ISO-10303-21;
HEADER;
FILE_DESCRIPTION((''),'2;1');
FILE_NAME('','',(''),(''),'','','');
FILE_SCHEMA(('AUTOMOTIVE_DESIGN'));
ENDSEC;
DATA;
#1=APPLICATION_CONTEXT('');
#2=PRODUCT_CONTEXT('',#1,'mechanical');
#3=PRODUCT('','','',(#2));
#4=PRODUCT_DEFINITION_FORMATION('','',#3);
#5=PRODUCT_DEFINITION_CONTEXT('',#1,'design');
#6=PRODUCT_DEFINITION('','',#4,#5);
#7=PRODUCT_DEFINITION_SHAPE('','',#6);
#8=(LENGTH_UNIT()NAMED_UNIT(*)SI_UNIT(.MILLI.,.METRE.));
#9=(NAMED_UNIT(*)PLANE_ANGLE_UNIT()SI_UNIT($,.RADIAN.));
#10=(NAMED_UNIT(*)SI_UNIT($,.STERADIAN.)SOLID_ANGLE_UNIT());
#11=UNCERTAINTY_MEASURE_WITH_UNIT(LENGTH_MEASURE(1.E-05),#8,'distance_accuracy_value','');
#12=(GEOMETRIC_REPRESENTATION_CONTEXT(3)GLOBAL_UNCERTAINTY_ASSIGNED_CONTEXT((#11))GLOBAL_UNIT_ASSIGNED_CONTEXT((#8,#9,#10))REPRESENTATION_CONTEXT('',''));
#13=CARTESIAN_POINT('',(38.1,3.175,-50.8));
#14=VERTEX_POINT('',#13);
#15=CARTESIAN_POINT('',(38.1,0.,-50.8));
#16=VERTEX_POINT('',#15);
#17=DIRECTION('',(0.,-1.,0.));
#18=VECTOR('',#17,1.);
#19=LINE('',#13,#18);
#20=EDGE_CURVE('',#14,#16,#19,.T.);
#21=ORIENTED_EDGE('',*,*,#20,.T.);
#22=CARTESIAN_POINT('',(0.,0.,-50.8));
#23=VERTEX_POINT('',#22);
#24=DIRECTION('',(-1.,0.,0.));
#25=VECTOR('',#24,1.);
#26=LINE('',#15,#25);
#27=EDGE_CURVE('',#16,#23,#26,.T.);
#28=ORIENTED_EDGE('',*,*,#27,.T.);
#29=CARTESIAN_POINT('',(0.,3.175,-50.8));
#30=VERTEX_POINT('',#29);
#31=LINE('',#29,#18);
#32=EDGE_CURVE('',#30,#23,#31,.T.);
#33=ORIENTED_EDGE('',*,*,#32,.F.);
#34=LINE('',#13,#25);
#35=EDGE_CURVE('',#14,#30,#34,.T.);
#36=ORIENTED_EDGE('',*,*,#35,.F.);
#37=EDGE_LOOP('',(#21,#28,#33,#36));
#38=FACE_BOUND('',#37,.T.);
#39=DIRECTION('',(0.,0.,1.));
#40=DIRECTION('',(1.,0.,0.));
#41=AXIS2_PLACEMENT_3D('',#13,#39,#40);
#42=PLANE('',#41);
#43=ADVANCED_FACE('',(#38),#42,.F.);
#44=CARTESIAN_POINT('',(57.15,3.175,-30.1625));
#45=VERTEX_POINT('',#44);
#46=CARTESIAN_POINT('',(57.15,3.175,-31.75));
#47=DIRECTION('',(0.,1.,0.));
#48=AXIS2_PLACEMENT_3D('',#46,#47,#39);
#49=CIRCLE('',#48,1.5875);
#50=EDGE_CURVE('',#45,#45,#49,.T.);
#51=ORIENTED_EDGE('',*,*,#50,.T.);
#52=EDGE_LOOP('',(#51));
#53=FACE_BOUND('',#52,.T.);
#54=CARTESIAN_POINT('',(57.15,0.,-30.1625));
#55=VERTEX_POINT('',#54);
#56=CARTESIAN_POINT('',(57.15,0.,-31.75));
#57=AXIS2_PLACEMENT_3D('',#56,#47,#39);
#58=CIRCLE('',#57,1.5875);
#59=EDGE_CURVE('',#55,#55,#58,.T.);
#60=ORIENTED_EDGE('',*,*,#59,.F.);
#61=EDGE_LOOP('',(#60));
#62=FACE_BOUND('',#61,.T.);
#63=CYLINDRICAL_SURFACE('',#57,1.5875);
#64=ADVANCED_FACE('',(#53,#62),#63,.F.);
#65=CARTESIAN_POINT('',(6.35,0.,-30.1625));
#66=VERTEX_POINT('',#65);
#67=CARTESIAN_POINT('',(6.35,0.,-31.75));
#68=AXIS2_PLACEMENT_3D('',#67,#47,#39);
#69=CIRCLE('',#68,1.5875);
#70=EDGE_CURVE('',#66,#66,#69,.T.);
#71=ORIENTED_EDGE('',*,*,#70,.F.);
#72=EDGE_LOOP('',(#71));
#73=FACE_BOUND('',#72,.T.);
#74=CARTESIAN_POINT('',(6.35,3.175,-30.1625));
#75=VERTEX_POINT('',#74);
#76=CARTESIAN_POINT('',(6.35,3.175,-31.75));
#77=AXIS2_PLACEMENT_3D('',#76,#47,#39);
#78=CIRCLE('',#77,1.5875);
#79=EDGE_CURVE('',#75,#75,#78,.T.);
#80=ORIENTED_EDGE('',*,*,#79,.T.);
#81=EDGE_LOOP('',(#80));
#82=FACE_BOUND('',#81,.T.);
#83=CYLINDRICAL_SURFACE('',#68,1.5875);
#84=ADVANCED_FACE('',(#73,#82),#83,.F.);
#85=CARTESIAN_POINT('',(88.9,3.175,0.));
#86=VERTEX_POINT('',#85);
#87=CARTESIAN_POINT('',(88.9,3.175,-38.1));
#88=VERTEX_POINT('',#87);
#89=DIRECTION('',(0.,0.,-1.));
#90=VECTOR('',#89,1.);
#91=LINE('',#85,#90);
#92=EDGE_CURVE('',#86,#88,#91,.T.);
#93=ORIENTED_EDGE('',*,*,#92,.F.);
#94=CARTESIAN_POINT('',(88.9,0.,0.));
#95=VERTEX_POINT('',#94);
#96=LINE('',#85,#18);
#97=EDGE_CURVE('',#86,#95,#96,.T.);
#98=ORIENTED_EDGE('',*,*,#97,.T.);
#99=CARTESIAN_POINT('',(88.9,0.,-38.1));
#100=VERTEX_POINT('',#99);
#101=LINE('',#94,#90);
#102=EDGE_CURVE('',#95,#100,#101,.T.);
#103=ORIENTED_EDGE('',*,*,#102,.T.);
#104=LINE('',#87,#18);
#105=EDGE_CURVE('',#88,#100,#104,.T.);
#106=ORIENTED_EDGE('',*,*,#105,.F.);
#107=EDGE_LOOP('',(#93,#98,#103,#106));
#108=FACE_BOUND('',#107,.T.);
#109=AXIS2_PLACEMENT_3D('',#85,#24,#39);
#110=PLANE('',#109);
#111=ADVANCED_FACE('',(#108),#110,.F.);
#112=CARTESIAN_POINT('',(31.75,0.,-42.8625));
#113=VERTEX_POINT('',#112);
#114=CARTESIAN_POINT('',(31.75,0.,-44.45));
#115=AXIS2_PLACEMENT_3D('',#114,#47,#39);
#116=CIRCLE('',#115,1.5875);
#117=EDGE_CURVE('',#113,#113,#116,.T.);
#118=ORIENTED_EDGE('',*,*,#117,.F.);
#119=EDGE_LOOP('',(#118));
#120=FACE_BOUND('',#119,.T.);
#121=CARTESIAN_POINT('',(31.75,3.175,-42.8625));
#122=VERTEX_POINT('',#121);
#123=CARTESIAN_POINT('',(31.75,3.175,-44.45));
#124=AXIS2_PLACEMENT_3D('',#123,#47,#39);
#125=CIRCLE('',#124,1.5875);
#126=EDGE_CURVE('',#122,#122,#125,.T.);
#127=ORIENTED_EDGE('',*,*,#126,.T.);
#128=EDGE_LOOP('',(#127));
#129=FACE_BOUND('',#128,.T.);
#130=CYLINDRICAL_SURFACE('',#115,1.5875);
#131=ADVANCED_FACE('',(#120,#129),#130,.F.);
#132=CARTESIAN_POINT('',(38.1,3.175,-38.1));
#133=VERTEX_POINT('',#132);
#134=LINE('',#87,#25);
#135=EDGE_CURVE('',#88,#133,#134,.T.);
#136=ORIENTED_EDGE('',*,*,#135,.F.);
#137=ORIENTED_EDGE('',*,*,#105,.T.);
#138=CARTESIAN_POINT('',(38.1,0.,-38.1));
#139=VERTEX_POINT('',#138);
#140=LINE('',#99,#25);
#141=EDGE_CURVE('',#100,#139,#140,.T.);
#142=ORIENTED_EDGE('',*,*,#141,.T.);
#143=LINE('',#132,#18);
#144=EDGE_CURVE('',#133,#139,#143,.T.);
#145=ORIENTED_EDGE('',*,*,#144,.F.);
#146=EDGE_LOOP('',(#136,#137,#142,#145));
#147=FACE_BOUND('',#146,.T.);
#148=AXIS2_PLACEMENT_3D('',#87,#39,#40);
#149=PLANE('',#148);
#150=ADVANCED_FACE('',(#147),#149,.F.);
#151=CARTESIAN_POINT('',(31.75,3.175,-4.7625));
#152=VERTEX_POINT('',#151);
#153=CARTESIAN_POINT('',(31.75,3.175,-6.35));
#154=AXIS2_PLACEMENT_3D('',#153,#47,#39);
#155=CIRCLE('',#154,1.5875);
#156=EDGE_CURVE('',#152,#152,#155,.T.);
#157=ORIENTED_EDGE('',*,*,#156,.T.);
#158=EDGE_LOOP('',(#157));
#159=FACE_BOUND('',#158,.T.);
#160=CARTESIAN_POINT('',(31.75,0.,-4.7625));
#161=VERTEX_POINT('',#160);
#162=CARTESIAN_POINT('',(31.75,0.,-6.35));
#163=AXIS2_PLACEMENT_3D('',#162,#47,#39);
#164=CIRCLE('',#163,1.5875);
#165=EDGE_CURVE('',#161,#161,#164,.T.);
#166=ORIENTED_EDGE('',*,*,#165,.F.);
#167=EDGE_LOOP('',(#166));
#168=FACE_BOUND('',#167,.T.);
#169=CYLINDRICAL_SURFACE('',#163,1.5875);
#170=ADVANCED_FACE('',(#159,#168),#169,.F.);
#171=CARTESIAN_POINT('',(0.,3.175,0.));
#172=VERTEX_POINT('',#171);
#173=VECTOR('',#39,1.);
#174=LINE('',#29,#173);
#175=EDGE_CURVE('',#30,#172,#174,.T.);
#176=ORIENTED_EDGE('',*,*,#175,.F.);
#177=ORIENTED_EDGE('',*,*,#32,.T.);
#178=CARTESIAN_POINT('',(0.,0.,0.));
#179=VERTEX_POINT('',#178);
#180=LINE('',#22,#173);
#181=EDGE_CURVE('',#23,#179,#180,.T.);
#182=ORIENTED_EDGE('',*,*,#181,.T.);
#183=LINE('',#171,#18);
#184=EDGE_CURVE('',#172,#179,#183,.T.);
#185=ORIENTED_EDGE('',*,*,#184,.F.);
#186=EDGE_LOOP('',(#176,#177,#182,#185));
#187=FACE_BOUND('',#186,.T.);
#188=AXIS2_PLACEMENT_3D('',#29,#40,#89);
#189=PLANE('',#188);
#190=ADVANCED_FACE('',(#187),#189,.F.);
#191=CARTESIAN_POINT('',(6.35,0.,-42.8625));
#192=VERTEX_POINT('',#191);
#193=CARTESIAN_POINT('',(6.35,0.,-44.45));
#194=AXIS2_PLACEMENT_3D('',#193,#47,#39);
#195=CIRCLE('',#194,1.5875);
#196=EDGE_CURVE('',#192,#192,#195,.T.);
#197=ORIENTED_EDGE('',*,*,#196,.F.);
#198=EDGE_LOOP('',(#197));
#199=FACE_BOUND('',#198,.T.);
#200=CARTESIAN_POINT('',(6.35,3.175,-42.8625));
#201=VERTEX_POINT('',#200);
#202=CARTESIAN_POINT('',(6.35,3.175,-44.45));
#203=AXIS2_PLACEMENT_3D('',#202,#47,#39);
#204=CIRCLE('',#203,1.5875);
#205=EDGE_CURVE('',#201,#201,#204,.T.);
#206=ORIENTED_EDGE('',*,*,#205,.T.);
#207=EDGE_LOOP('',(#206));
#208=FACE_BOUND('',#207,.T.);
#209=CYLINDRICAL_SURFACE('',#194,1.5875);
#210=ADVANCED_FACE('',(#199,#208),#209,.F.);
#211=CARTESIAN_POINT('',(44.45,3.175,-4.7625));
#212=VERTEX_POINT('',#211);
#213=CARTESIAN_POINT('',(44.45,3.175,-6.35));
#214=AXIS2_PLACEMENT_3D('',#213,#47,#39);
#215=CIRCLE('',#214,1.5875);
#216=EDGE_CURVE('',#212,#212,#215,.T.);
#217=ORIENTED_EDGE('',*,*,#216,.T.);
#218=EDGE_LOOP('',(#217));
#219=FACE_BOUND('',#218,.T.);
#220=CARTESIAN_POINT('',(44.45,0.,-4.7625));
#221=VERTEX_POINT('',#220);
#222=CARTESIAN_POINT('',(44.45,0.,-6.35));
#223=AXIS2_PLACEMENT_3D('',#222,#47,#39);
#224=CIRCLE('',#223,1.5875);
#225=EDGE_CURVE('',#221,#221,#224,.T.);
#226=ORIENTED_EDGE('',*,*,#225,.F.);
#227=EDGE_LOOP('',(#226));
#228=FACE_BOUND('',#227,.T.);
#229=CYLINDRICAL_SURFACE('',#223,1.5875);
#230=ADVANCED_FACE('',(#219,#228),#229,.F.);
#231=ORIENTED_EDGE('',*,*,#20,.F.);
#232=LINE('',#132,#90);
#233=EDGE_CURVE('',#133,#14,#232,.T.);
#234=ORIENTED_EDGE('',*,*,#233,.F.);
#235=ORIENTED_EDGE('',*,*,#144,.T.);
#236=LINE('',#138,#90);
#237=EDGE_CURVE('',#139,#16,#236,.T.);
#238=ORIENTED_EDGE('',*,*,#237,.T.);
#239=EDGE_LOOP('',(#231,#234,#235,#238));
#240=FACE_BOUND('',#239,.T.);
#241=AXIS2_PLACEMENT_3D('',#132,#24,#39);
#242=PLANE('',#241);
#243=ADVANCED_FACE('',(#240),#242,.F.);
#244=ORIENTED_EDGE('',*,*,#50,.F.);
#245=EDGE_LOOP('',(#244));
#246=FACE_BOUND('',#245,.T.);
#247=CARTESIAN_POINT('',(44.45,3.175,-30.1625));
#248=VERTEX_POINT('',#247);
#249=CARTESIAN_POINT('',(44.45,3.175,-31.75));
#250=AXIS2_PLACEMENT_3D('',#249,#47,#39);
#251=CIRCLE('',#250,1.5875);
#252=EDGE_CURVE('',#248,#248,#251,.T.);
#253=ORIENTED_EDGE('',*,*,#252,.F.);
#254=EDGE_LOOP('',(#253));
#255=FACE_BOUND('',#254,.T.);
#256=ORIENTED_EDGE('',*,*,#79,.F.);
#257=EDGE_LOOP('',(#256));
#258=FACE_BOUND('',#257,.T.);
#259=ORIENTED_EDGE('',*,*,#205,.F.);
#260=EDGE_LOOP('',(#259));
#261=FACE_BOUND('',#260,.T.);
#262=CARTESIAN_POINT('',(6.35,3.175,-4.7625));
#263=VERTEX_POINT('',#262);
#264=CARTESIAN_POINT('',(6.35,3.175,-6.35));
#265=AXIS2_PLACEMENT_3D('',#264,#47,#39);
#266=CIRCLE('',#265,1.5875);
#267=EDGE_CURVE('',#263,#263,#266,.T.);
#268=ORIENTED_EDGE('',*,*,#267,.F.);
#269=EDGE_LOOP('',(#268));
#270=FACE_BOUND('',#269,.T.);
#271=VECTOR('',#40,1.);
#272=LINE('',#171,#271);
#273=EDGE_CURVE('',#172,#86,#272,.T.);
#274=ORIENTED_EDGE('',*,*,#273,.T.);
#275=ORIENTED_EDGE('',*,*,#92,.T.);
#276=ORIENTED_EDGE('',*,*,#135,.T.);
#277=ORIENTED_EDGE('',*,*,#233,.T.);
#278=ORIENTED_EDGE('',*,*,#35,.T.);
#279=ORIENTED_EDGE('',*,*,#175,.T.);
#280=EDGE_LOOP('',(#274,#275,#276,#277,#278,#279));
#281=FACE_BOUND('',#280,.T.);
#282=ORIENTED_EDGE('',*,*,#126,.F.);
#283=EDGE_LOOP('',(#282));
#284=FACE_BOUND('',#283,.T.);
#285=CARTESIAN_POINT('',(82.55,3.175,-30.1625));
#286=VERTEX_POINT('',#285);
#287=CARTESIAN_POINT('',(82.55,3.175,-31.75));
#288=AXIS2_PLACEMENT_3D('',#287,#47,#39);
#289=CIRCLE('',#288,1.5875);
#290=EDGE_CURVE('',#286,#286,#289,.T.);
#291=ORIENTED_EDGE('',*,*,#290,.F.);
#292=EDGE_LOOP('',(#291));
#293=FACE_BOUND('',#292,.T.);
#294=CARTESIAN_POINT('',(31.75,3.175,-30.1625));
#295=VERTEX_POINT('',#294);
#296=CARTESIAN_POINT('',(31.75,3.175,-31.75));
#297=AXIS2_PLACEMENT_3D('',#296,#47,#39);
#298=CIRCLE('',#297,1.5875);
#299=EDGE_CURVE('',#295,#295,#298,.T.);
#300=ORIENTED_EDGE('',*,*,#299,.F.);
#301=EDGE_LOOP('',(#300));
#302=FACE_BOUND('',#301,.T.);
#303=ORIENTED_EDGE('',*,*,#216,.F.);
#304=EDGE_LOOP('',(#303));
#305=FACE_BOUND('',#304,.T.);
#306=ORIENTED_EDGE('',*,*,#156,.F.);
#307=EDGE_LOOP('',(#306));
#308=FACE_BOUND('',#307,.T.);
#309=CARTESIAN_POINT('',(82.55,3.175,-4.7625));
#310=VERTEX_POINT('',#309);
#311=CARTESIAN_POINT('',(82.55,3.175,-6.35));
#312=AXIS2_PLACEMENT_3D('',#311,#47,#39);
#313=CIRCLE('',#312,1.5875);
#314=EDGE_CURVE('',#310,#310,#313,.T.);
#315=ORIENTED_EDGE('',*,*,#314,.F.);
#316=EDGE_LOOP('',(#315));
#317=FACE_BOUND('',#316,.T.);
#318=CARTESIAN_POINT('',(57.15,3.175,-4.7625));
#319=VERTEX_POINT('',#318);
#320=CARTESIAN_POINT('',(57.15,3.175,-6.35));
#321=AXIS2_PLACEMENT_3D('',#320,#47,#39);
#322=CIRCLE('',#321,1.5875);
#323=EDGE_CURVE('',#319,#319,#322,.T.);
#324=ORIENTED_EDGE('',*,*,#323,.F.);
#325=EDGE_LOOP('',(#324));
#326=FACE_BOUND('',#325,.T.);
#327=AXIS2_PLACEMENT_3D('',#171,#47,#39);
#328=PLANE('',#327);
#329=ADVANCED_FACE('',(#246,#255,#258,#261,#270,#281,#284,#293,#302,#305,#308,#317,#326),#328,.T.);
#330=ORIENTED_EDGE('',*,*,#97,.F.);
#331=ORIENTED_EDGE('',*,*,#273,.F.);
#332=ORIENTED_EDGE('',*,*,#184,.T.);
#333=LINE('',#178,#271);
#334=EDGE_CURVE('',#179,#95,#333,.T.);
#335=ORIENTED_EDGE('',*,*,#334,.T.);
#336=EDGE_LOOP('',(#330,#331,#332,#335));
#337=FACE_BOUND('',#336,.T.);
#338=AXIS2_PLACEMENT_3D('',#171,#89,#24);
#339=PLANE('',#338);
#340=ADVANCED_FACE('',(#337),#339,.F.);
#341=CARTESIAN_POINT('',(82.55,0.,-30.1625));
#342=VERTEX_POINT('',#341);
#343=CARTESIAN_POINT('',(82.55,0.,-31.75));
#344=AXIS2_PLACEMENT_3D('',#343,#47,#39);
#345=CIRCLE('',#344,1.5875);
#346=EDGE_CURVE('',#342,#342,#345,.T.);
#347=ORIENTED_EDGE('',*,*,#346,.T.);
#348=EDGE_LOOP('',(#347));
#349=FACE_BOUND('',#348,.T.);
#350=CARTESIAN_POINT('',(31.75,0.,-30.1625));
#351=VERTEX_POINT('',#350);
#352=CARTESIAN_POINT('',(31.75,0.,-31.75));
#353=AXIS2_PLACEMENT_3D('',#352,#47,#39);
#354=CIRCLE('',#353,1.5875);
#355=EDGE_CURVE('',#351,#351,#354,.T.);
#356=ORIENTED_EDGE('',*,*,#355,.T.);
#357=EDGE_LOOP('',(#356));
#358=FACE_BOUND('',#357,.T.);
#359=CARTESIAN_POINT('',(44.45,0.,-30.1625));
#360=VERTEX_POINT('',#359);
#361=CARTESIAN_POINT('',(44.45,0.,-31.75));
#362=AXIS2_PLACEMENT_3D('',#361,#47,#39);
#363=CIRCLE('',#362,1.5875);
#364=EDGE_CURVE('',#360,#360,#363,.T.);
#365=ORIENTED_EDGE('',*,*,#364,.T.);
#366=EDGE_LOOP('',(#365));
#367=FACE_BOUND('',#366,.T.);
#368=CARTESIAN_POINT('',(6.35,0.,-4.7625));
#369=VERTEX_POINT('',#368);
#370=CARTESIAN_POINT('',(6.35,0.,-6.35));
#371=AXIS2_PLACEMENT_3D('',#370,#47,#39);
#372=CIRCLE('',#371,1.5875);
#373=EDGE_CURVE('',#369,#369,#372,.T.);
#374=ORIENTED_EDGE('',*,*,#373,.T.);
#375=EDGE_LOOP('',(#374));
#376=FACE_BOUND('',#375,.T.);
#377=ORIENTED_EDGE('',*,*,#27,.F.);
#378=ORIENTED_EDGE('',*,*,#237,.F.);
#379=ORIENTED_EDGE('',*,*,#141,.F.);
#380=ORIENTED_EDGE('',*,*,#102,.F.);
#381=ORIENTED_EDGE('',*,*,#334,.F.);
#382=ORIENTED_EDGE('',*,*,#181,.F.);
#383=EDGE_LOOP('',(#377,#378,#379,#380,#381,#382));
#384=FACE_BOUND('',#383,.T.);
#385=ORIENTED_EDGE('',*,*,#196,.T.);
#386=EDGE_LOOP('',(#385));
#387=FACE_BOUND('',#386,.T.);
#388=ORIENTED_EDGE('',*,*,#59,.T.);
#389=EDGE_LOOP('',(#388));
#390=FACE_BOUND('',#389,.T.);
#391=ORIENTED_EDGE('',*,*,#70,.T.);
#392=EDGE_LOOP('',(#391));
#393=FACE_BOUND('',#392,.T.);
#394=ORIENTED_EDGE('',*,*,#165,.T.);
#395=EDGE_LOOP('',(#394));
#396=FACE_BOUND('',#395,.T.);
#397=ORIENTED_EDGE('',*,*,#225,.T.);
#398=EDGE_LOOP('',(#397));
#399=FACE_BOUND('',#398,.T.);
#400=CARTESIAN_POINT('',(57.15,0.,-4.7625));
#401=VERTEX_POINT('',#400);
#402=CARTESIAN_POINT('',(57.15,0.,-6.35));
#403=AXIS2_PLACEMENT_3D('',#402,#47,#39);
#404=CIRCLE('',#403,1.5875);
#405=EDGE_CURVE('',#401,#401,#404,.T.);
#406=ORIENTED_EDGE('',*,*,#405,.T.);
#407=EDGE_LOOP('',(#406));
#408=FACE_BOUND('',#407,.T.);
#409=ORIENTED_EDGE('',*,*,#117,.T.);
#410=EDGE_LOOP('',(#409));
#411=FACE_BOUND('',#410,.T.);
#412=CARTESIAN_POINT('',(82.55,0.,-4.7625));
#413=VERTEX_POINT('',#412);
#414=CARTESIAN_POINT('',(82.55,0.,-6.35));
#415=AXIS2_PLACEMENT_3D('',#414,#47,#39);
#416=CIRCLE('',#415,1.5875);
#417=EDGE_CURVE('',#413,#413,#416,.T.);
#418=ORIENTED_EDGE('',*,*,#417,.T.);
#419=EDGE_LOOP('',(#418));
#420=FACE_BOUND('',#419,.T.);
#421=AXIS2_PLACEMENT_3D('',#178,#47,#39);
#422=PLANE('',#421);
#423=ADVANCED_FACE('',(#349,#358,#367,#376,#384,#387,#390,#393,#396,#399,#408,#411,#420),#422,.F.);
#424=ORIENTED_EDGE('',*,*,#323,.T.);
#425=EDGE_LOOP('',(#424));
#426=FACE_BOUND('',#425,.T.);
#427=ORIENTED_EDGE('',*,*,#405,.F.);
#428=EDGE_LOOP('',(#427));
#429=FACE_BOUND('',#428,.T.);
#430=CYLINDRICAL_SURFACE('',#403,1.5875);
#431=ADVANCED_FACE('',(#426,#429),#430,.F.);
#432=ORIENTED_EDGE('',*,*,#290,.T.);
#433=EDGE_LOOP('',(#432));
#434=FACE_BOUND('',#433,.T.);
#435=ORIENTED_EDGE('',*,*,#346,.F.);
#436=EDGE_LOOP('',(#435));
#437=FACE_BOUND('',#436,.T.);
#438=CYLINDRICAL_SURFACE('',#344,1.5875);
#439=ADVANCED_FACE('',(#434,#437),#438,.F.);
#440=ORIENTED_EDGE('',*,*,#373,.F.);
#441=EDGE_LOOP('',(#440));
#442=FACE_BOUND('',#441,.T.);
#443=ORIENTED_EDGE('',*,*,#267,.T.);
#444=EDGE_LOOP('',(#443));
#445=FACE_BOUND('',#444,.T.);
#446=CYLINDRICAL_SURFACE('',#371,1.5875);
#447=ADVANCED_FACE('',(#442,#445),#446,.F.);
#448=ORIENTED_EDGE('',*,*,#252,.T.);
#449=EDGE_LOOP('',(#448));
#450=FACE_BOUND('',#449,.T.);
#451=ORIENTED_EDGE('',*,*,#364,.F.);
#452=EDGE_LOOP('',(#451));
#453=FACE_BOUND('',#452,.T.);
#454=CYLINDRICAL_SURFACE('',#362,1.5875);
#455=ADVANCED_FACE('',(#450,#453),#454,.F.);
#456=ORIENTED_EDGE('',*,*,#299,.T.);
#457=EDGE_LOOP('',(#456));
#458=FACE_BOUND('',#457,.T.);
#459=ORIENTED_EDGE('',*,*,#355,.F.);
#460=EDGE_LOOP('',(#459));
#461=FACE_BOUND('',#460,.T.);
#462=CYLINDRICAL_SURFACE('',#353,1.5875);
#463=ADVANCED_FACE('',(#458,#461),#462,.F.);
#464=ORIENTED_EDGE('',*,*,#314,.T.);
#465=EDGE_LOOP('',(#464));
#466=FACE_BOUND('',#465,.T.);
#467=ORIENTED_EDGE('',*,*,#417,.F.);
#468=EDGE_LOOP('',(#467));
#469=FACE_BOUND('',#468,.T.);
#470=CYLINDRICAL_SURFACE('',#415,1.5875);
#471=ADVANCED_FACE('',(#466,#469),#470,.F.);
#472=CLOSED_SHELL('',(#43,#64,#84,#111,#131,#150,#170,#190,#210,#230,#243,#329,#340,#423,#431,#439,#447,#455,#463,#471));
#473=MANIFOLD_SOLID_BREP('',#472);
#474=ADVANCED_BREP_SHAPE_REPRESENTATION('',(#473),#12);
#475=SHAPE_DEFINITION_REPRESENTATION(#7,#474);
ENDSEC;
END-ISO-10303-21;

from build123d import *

# Parameters (mm, degrees)
BOSS_EXTRUDE1_DEPTH = 3.175
SKETCH2_R           = 1.5875
CUT_EXTRUDE1_DEPTH  = 4.175


with BuildPart() as part:
    # Sketch1 → Boss-Extrude1 (new body)
    with BuildSketch(Plane(origin=(0, 0, 0), x_dir=(1, 0, 0), z_dir=(0, 1, 0))):
        Polygon((0, 50.8), (0, 0), (88.9, 0), (88.9, 38.1), (38.1, 38.1), (38.1, 50.8), align=None)
    extrude(amount=BOSS_EXTRUDE1_DEPTH)

    # Sketch2 → Cut-Extrude1 (cut, through all)
    with BuildSketch(Plane(origin=(0, 3.175, 0), x_dir=(1, 0, 0), z_dir=(0, 1, 0))):
        with Locations((6.35, 44.45)):
            Circle(SKETCH2_R)
        with Locations((31.75, 44.45)):
            Circle(SKETCH2_R)
        with Locations((31.75, 31.75)):
            Circle(SKETCH2_R)
        with Locations((6.35, 31.75)):
            Circle(SKETCH2_R)
        with Locations((6.35, 6.35)):
            Circle(SKETCH2_R)
        with Locations((31.75, 6.35)):
            Circle(SKETCH2_R)
        with Locations((82.55, 6.35)):
            Circle(SKETCH2_R)
        with Locations((82.55, 31.75)):
            Circle(SKETCH2_R)
        with Locations((57.15, 31.75)):
            Circle(SKETCH2_R)
        with Locations((57.15, 6.35)):
            Circle(SKETCH2_R)
        with Locations((44.45, 6.35)):
            Circle(SKETCH2_R)
        with Locations((44.45, 31.75)):
            Circle(SKETCH2_R)
    extrude(amount=-CUT_EXTRUDE1_DEPTH, mode=Mode.SUBTRACT)


solid = part.part
